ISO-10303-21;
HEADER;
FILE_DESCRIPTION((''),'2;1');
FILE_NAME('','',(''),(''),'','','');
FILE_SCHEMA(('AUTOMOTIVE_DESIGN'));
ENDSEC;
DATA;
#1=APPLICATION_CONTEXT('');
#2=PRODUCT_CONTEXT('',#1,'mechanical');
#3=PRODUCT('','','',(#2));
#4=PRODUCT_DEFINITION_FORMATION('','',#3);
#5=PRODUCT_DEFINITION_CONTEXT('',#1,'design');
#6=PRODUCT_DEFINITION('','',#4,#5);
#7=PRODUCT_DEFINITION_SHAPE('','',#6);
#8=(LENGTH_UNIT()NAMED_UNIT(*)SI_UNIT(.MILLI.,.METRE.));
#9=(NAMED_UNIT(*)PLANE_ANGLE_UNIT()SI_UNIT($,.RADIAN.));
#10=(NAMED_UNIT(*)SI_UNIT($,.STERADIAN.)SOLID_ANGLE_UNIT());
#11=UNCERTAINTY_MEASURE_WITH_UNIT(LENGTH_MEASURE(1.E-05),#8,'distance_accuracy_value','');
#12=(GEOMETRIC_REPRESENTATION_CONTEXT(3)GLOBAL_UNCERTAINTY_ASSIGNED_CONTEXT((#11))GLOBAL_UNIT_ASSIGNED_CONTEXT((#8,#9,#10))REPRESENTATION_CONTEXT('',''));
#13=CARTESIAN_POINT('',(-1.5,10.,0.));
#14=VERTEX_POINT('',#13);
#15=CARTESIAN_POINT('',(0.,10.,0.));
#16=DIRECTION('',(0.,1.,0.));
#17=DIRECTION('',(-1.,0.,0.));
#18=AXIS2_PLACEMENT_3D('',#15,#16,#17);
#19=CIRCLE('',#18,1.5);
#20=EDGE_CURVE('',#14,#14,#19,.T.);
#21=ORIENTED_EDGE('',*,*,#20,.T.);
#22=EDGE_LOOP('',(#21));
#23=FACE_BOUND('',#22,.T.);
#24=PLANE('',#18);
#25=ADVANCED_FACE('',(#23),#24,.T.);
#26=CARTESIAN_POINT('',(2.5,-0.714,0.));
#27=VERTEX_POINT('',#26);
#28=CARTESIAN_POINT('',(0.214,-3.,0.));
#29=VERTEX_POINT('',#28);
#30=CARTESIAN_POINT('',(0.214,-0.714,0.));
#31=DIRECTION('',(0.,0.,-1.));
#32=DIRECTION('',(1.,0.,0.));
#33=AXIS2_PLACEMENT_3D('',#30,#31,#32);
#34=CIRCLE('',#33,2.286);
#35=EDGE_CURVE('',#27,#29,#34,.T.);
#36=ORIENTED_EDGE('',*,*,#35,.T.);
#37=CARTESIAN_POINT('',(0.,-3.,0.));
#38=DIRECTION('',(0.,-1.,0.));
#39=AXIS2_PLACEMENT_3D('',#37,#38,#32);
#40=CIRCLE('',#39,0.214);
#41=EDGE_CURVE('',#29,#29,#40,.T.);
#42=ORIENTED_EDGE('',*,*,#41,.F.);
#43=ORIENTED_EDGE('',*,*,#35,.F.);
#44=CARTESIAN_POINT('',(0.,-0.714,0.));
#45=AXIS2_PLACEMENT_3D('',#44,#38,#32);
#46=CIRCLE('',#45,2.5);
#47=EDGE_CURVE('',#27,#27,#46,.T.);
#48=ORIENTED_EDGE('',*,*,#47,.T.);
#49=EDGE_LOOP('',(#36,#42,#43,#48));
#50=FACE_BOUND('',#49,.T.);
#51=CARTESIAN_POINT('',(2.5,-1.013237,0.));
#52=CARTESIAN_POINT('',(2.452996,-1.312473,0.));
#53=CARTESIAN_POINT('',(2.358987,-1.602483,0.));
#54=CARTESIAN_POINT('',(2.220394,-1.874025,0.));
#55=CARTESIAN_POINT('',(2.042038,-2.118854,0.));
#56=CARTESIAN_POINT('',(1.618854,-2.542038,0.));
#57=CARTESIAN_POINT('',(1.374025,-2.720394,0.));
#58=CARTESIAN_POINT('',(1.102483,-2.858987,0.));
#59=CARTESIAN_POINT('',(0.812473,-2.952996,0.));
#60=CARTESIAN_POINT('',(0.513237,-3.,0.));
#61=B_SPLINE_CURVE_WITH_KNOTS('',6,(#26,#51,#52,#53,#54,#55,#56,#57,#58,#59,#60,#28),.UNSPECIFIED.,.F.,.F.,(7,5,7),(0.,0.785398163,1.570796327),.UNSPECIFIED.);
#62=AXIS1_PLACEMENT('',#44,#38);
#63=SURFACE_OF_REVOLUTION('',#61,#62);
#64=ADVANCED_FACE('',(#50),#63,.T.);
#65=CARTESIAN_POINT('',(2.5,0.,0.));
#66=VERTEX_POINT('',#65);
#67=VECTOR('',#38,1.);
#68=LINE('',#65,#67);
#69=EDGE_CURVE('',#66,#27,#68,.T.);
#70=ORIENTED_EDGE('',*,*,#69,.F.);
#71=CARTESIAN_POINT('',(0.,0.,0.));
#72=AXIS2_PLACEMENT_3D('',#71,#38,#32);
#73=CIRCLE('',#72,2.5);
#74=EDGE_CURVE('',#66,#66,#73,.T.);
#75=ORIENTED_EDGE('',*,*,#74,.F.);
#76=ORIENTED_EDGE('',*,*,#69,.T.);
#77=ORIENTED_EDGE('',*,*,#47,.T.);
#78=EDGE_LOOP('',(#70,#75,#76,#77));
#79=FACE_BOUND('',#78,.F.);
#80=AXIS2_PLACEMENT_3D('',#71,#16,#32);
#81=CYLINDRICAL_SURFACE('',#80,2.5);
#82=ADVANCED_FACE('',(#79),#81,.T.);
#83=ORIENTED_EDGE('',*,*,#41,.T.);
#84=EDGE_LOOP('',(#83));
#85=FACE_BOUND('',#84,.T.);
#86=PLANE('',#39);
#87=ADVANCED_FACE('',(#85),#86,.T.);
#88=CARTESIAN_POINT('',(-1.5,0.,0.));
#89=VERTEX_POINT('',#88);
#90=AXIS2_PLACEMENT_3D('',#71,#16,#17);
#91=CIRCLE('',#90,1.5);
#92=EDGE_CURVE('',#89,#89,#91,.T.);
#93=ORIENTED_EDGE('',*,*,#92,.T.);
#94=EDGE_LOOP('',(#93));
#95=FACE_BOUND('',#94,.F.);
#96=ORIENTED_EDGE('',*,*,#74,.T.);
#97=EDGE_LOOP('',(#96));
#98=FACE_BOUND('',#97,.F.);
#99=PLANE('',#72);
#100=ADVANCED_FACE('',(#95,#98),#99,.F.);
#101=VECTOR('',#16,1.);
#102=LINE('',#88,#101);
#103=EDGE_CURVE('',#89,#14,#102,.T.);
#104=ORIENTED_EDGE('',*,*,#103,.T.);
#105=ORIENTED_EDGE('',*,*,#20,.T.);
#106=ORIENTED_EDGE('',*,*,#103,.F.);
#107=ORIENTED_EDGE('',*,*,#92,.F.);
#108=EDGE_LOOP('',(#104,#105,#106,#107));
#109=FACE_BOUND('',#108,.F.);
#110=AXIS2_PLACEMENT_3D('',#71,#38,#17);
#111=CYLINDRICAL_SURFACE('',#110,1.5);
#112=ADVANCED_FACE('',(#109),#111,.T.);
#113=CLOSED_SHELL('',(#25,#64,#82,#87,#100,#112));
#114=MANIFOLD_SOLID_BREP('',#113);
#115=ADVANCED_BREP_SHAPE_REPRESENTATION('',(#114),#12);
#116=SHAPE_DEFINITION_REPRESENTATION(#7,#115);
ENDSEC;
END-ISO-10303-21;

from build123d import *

# Parameters (mm, degrees)
F0_R     = 2.5
F1_DEPTH = 3
F2_R     = 1.5
F3_DEPTH = 10
F4_R     = 2.286


with BuildPart() as f1:
    # F0 (on Front) → F1 (new body)
    with BuildSketch(Plane.XZ):
        Circle(F0_R)
    extrude(amount=F1_DEPTH)

    # F2 (on face) → F3 (join)
    with BuildSketch(Plane(origin=(0, 0, 0), x_dir=(-1, 0, 0), z_dir=(0, 1, 0))):
        Circle(F2_R)
    extrude(amount=F3_DEPTH)

    # F4
    f4_edges = [f1.edges().sort_by_distance(p)[0] for p in [
        (-2.5, -3, 0),
    ]]
    fillet(f4_edges, radius=F4_R)


solid = f1.part
